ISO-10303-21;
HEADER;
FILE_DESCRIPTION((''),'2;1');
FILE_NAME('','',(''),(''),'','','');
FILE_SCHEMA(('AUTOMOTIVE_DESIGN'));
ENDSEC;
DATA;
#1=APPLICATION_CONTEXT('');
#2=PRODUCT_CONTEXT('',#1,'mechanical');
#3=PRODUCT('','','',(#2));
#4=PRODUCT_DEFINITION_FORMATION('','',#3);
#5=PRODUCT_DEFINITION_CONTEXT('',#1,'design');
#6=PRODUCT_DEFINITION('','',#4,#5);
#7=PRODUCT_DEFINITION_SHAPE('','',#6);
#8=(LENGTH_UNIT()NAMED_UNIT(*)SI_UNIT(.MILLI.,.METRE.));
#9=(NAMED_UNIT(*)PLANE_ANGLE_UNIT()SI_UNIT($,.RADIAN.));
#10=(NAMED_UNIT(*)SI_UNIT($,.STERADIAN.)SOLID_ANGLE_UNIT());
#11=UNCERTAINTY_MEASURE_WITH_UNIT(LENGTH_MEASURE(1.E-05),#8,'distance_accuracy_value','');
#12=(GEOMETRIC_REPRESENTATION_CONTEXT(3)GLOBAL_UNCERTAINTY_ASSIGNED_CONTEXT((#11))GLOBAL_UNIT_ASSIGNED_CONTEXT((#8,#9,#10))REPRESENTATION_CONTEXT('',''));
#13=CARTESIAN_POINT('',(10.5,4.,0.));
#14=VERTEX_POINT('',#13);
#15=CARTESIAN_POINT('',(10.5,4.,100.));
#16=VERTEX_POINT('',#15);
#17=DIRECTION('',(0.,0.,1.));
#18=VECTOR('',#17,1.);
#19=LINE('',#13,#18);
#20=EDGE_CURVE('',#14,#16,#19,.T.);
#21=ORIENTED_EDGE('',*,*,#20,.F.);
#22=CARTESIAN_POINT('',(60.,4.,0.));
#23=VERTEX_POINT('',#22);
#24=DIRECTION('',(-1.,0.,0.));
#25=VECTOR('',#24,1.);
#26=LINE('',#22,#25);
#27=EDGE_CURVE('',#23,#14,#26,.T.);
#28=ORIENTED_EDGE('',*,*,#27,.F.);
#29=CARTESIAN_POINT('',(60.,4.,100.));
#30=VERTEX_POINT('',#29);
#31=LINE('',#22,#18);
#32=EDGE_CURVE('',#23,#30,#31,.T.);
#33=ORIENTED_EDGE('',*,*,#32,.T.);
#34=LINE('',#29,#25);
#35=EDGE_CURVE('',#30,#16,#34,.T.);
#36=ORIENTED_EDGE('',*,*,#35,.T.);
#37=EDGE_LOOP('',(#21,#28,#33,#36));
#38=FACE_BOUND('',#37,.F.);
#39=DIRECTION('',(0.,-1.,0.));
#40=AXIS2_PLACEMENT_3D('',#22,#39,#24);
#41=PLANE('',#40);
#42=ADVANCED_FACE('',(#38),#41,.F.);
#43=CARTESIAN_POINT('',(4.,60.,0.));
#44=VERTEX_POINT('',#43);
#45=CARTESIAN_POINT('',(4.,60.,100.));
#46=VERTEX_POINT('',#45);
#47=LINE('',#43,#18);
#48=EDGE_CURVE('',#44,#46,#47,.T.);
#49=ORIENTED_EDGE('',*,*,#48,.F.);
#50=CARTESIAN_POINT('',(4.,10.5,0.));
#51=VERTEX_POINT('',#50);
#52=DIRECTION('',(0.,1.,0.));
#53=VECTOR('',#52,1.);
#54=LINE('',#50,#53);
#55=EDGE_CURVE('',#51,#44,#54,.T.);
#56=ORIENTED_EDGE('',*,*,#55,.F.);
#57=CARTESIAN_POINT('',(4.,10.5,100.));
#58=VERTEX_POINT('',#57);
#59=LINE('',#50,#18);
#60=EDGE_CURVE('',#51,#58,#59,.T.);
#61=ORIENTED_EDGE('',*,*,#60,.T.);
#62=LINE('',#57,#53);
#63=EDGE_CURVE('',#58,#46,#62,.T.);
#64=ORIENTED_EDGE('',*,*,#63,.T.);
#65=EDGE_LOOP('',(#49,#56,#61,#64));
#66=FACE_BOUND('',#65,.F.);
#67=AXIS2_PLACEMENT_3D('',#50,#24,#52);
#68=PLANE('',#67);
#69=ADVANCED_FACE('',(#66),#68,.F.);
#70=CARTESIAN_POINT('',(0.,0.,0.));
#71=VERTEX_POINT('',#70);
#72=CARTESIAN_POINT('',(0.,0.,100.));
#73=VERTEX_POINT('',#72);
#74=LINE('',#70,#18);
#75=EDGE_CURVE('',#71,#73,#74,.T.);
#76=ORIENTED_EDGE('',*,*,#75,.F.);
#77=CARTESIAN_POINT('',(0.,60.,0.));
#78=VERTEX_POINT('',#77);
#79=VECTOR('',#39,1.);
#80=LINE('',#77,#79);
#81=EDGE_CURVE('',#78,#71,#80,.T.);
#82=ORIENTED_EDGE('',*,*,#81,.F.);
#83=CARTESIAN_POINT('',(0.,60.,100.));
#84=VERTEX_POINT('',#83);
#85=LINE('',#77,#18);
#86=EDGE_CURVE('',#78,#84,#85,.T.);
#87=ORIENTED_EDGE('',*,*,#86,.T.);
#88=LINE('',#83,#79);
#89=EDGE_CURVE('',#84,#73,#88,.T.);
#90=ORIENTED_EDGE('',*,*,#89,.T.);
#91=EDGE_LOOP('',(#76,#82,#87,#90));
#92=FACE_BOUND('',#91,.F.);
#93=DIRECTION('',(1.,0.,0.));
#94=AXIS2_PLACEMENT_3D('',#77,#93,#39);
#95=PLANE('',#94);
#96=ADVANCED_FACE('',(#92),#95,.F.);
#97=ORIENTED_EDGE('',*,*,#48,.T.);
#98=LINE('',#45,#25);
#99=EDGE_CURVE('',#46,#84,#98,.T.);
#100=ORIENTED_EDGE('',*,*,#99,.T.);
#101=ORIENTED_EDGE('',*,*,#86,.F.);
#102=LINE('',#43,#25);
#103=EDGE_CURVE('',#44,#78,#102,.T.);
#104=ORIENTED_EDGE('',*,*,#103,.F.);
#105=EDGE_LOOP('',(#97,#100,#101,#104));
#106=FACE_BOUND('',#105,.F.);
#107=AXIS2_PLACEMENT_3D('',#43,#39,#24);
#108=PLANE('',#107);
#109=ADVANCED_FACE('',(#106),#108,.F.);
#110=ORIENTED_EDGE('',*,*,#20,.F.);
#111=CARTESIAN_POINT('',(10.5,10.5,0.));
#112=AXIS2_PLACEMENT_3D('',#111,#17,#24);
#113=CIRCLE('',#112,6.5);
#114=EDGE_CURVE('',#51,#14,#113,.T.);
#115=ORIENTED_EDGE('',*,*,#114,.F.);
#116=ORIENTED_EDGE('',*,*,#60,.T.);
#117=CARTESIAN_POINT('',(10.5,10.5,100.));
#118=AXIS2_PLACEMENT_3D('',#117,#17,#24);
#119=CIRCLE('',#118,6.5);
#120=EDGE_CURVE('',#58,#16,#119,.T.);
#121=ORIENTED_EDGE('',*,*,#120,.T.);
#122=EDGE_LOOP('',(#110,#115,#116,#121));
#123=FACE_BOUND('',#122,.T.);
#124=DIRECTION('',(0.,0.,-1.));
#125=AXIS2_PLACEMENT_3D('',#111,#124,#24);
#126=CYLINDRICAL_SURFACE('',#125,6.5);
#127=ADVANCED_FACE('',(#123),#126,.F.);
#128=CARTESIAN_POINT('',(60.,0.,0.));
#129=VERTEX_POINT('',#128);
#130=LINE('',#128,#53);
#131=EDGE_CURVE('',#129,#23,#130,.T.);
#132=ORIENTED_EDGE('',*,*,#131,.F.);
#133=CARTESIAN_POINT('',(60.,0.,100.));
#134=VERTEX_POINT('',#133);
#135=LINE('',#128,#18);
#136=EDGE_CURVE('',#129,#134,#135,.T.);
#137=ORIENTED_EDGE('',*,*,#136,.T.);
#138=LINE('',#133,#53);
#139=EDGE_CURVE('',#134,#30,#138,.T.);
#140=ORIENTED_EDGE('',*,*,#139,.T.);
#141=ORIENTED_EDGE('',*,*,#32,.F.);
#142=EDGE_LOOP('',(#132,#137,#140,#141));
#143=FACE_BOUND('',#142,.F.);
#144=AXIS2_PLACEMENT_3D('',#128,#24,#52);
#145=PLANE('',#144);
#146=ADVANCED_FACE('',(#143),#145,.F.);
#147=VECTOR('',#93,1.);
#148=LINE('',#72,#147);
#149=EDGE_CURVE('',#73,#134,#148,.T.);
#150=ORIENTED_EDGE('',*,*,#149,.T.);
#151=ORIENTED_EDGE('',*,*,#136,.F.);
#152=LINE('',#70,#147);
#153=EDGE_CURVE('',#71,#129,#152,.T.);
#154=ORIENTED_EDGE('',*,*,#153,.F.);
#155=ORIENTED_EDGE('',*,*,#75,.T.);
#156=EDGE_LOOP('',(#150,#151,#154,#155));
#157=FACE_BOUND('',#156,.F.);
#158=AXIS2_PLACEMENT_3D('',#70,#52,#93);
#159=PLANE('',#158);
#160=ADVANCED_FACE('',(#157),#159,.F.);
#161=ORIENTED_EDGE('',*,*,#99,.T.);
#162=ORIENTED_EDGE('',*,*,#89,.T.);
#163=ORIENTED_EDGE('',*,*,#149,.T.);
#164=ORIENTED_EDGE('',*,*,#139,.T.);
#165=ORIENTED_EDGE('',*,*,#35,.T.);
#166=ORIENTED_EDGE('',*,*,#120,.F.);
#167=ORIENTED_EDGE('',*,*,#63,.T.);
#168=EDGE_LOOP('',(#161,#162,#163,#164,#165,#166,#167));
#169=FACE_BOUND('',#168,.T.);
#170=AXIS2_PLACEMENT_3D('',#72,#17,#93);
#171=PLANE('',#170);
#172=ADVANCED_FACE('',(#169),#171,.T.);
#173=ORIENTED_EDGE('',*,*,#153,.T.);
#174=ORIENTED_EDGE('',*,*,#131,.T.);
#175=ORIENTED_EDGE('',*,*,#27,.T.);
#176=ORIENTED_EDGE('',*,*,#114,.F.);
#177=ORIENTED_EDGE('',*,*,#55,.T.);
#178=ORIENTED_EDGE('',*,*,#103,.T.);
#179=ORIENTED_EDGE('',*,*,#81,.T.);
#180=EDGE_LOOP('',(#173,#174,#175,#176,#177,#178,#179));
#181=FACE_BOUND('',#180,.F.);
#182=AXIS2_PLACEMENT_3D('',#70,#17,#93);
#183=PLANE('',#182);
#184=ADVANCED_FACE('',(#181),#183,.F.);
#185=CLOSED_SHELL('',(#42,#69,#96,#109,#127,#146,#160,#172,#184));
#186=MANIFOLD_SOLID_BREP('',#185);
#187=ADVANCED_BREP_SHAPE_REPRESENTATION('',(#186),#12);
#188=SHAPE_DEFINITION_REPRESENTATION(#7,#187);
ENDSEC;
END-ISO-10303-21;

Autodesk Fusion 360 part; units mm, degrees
sketch "スケッチ1" plane through (0, 0, 0) normal (0, 0, 1) x (1, 0, 0)
  line L0 (0, 60) -> (0, 0)
  line L1 (4, 10.5) -> (4, 60)
  line L2 (60, 4) -> (10.5, 4)
  line L3 (0, 0) -> (60, 0)
  arc A0 (4, 10.5) -> (10.5, 4) centre (10.5, 10.5) ccw
  line L4 (60, 0) -> (60, 4)
  line L5 (4, 60) -> (0, 60)
extrude "押し出し1" add sketch "スケッチ1" along normal blind 100
